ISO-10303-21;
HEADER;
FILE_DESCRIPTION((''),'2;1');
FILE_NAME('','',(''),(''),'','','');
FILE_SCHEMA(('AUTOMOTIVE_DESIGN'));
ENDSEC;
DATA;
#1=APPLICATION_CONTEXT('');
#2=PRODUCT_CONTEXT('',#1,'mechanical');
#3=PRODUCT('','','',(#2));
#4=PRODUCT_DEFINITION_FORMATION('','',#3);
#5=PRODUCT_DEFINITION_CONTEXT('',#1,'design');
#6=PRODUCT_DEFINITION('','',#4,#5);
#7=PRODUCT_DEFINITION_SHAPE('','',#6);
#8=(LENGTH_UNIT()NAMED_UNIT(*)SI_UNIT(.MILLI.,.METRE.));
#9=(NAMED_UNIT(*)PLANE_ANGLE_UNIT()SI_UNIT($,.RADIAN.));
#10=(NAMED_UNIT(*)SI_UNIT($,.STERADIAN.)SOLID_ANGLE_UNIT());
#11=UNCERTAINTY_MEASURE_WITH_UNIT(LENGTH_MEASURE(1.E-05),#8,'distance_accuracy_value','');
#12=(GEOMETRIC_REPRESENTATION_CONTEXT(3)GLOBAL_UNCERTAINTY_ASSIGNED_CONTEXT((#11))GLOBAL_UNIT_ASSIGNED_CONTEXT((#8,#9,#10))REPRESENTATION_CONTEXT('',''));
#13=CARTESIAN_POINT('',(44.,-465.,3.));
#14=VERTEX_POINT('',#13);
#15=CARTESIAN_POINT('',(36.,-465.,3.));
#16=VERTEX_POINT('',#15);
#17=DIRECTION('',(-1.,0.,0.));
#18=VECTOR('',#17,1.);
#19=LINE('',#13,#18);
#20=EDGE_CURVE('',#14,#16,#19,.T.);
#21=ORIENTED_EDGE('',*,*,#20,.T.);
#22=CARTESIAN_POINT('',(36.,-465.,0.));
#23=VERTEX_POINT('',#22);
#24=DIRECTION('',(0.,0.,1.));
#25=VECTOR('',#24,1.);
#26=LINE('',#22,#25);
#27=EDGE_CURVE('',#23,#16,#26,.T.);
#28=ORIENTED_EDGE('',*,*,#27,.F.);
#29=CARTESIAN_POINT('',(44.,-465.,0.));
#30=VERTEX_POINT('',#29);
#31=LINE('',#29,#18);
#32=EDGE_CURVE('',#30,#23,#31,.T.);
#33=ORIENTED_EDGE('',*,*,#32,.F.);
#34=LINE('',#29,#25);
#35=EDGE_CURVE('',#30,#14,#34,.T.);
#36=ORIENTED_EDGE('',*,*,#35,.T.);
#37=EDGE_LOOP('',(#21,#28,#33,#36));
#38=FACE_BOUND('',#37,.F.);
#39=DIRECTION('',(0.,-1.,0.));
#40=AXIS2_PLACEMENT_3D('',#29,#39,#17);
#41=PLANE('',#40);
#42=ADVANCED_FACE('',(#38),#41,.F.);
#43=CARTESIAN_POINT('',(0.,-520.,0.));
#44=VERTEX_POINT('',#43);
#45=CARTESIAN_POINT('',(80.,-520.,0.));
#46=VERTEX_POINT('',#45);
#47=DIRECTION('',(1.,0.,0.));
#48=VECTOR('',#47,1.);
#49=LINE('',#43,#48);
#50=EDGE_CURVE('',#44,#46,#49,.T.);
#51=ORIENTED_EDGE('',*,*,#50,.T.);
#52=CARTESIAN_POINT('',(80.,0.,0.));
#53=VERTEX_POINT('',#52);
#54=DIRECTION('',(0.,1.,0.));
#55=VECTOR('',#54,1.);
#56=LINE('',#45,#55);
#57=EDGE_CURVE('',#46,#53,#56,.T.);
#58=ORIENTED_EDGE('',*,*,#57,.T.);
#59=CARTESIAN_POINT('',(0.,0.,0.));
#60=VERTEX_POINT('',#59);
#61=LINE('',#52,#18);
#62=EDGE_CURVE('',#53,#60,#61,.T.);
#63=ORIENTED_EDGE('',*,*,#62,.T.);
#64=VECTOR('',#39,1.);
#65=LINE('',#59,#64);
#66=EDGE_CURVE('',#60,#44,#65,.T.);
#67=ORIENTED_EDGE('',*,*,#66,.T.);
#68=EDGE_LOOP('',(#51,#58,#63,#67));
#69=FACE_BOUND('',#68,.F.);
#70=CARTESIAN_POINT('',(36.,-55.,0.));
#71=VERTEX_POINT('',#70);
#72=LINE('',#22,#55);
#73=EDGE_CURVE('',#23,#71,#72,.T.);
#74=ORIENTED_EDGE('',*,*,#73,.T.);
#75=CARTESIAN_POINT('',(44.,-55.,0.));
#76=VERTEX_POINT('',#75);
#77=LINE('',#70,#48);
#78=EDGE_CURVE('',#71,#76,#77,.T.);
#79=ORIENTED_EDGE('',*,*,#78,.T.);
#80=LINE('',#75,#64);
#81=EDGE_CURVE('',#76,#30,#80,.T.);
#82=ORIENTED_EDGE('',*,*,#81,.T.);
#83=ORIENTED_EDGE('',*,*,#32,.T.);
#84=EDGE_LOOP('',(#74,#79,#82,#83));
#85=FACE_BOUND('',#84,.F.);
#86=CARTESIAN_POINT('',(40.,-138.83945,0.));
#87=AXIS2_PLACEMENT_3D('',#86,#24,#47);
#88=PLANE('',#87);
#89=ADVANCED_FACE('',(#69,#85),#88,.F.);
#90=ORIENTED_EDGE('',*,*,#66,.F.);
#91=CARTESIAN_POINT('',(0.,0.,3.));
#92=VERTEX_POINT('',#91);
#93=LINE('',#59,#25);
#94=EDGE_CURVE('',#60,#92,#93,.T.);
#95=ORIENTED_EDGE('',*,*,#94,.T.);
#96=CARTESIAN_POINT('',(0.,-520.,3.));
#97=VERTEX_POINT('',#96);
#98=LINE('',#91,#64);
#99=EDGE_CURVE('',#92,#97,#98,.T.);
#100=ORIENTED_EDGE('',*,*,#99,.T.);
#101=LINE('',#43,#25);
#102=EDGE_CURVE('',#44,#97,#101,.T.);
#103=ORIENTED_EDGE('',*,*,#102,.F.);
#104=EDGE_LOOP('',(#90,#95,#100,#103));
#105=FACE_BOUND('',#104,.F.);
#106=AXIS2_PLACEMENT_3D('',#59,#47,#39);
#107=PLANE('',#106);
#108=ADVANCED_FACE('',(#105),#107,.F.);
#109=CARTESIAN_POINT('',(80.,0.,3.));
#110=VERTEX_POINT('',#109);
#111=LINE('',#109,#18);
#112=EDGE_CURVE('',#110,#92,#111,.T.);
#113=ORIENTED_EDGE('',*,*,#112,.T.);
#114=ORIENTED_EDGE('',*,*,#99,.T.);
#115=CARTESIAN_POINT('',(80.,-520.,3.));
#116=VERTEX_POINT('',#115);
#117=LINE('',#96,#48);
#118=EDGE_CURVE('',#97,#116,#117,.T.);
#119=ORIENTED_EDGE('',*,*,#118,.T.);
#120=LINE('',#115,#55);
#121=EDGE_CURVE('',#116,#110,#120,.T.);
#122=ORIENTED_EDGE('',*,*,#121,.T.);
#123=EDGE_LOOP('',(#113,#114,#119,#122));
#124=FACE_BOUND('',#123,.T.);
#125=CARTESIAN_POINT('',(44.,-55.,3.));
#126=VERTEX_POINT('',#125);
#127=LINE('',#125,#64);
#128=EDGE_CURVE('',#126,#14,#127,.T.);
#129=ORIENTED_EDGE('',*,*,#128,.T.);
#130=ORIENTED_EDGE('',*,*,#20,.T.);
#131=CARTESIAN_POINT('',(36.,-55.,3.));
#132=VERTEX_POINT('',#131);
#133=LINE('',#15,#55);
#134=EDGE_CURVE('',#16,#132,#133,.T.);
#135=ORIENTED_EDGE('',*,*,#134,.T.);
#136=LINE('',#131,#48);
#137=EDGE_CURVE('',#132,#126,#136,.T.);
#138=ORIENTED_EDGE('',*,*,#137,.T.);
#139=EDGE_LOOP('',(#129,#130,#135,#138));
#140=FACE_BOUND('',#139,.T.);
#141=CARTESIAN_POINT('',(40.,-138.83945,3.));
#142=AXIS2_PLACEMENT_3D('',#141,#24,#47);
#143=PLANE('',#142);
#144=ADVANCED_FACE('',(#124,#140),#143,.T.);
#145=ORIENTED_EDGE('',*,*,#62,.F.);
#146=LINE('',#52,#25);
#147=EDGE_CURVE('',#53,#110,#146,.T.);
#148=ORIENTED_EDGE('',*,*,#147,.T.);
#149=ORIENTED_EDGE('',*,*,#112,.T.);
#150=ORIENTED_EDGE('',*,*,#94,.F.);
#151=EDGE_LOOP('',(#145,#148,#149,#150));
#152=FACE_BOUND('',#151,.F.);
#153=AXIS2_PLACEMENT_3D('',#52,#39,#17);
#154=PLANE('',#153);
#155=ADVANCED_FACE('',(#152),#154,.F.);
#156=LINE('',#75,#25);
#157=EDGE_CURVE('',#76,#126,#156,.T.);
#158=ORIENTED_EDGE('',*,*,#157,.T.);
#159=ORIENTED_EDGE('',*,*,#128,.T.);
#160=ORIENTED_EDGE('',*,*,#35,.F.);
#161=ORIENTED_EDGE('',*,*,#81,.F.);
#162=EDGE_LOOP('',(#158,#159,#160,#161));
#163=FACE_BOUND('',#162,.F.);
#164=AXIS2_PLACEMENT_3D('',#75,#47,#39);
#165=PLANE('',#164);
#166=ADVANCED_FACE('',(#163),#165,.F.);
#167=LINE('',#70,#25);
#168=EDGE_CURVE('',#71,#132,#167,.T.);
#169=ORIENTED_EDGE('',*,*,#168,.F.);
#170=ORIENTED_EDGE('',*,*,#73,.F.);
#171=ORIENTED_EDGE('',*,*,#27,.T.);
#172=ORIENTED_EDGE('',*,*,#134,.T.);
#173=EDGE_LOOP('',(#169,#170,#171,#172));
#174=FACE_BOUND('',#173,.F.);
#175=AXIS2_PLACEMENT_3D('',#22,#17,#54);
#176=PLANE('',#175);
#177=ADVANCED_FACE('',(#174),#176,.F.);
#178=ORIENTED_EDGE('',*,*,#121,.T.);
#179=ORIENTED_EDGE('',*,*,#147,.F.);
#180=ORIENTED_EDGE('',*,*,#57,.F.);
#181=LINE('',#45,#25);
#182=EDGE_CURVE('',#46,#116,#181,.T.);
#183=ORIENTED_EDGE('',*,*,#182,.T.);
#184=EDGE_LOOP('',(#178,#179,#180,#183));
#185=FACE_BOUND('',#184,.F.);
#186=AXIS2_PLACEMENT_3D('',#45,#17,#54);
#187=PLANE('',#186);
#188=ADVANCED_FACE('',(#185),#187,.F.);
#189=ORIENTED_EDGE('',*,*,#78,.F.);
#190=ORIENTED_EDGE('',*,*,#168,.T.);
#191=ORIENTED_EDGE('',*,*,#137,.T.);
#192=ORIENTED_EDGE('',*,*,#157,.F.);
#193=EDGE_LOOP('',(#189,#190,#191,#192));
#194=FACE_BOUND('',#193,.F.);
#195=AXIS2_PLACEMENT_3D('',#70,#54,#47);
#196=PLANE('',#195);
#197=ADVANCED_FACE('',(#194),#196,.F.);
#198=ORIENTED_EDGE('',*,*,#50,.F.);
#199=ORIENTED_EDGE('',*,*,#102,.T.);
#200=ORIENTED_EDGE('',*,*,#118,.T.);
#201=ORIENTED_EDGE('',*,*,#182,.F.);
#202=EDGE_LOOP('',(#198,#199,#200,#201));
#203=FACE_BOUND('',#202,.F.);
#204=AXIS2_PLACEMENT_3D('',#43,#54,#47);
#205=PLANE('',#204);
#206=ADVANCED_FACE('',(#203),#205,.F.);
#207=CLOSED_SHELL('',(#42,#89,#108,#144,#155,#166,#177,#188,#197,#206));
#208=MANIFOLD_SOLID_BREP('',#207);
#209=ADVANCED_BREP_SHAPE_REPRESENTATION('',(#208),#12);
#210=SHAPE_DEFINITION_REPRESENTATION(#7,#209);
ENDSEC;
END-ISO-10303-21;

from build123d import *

# Parameters (mm, degrees)
F1_DEPTH = 3


with BuildPart() as f1:
    # F0 (on Top) → F1 (new body)
    with BuildSketch(Plane.XY):
        Polygon((80, 0), (0, 0), (0, -260), (36, -260), (36, -55), (44, -55), (44, -260), (80, -260), align=None)
        Polygon((36, -260), (0, -260), (0, -520), (80, -520), (80, -260), (44, -260), (44, -465), (36, -465), align=None)
    extrude(amount=F1_DEPTH)


solid = f1.part
